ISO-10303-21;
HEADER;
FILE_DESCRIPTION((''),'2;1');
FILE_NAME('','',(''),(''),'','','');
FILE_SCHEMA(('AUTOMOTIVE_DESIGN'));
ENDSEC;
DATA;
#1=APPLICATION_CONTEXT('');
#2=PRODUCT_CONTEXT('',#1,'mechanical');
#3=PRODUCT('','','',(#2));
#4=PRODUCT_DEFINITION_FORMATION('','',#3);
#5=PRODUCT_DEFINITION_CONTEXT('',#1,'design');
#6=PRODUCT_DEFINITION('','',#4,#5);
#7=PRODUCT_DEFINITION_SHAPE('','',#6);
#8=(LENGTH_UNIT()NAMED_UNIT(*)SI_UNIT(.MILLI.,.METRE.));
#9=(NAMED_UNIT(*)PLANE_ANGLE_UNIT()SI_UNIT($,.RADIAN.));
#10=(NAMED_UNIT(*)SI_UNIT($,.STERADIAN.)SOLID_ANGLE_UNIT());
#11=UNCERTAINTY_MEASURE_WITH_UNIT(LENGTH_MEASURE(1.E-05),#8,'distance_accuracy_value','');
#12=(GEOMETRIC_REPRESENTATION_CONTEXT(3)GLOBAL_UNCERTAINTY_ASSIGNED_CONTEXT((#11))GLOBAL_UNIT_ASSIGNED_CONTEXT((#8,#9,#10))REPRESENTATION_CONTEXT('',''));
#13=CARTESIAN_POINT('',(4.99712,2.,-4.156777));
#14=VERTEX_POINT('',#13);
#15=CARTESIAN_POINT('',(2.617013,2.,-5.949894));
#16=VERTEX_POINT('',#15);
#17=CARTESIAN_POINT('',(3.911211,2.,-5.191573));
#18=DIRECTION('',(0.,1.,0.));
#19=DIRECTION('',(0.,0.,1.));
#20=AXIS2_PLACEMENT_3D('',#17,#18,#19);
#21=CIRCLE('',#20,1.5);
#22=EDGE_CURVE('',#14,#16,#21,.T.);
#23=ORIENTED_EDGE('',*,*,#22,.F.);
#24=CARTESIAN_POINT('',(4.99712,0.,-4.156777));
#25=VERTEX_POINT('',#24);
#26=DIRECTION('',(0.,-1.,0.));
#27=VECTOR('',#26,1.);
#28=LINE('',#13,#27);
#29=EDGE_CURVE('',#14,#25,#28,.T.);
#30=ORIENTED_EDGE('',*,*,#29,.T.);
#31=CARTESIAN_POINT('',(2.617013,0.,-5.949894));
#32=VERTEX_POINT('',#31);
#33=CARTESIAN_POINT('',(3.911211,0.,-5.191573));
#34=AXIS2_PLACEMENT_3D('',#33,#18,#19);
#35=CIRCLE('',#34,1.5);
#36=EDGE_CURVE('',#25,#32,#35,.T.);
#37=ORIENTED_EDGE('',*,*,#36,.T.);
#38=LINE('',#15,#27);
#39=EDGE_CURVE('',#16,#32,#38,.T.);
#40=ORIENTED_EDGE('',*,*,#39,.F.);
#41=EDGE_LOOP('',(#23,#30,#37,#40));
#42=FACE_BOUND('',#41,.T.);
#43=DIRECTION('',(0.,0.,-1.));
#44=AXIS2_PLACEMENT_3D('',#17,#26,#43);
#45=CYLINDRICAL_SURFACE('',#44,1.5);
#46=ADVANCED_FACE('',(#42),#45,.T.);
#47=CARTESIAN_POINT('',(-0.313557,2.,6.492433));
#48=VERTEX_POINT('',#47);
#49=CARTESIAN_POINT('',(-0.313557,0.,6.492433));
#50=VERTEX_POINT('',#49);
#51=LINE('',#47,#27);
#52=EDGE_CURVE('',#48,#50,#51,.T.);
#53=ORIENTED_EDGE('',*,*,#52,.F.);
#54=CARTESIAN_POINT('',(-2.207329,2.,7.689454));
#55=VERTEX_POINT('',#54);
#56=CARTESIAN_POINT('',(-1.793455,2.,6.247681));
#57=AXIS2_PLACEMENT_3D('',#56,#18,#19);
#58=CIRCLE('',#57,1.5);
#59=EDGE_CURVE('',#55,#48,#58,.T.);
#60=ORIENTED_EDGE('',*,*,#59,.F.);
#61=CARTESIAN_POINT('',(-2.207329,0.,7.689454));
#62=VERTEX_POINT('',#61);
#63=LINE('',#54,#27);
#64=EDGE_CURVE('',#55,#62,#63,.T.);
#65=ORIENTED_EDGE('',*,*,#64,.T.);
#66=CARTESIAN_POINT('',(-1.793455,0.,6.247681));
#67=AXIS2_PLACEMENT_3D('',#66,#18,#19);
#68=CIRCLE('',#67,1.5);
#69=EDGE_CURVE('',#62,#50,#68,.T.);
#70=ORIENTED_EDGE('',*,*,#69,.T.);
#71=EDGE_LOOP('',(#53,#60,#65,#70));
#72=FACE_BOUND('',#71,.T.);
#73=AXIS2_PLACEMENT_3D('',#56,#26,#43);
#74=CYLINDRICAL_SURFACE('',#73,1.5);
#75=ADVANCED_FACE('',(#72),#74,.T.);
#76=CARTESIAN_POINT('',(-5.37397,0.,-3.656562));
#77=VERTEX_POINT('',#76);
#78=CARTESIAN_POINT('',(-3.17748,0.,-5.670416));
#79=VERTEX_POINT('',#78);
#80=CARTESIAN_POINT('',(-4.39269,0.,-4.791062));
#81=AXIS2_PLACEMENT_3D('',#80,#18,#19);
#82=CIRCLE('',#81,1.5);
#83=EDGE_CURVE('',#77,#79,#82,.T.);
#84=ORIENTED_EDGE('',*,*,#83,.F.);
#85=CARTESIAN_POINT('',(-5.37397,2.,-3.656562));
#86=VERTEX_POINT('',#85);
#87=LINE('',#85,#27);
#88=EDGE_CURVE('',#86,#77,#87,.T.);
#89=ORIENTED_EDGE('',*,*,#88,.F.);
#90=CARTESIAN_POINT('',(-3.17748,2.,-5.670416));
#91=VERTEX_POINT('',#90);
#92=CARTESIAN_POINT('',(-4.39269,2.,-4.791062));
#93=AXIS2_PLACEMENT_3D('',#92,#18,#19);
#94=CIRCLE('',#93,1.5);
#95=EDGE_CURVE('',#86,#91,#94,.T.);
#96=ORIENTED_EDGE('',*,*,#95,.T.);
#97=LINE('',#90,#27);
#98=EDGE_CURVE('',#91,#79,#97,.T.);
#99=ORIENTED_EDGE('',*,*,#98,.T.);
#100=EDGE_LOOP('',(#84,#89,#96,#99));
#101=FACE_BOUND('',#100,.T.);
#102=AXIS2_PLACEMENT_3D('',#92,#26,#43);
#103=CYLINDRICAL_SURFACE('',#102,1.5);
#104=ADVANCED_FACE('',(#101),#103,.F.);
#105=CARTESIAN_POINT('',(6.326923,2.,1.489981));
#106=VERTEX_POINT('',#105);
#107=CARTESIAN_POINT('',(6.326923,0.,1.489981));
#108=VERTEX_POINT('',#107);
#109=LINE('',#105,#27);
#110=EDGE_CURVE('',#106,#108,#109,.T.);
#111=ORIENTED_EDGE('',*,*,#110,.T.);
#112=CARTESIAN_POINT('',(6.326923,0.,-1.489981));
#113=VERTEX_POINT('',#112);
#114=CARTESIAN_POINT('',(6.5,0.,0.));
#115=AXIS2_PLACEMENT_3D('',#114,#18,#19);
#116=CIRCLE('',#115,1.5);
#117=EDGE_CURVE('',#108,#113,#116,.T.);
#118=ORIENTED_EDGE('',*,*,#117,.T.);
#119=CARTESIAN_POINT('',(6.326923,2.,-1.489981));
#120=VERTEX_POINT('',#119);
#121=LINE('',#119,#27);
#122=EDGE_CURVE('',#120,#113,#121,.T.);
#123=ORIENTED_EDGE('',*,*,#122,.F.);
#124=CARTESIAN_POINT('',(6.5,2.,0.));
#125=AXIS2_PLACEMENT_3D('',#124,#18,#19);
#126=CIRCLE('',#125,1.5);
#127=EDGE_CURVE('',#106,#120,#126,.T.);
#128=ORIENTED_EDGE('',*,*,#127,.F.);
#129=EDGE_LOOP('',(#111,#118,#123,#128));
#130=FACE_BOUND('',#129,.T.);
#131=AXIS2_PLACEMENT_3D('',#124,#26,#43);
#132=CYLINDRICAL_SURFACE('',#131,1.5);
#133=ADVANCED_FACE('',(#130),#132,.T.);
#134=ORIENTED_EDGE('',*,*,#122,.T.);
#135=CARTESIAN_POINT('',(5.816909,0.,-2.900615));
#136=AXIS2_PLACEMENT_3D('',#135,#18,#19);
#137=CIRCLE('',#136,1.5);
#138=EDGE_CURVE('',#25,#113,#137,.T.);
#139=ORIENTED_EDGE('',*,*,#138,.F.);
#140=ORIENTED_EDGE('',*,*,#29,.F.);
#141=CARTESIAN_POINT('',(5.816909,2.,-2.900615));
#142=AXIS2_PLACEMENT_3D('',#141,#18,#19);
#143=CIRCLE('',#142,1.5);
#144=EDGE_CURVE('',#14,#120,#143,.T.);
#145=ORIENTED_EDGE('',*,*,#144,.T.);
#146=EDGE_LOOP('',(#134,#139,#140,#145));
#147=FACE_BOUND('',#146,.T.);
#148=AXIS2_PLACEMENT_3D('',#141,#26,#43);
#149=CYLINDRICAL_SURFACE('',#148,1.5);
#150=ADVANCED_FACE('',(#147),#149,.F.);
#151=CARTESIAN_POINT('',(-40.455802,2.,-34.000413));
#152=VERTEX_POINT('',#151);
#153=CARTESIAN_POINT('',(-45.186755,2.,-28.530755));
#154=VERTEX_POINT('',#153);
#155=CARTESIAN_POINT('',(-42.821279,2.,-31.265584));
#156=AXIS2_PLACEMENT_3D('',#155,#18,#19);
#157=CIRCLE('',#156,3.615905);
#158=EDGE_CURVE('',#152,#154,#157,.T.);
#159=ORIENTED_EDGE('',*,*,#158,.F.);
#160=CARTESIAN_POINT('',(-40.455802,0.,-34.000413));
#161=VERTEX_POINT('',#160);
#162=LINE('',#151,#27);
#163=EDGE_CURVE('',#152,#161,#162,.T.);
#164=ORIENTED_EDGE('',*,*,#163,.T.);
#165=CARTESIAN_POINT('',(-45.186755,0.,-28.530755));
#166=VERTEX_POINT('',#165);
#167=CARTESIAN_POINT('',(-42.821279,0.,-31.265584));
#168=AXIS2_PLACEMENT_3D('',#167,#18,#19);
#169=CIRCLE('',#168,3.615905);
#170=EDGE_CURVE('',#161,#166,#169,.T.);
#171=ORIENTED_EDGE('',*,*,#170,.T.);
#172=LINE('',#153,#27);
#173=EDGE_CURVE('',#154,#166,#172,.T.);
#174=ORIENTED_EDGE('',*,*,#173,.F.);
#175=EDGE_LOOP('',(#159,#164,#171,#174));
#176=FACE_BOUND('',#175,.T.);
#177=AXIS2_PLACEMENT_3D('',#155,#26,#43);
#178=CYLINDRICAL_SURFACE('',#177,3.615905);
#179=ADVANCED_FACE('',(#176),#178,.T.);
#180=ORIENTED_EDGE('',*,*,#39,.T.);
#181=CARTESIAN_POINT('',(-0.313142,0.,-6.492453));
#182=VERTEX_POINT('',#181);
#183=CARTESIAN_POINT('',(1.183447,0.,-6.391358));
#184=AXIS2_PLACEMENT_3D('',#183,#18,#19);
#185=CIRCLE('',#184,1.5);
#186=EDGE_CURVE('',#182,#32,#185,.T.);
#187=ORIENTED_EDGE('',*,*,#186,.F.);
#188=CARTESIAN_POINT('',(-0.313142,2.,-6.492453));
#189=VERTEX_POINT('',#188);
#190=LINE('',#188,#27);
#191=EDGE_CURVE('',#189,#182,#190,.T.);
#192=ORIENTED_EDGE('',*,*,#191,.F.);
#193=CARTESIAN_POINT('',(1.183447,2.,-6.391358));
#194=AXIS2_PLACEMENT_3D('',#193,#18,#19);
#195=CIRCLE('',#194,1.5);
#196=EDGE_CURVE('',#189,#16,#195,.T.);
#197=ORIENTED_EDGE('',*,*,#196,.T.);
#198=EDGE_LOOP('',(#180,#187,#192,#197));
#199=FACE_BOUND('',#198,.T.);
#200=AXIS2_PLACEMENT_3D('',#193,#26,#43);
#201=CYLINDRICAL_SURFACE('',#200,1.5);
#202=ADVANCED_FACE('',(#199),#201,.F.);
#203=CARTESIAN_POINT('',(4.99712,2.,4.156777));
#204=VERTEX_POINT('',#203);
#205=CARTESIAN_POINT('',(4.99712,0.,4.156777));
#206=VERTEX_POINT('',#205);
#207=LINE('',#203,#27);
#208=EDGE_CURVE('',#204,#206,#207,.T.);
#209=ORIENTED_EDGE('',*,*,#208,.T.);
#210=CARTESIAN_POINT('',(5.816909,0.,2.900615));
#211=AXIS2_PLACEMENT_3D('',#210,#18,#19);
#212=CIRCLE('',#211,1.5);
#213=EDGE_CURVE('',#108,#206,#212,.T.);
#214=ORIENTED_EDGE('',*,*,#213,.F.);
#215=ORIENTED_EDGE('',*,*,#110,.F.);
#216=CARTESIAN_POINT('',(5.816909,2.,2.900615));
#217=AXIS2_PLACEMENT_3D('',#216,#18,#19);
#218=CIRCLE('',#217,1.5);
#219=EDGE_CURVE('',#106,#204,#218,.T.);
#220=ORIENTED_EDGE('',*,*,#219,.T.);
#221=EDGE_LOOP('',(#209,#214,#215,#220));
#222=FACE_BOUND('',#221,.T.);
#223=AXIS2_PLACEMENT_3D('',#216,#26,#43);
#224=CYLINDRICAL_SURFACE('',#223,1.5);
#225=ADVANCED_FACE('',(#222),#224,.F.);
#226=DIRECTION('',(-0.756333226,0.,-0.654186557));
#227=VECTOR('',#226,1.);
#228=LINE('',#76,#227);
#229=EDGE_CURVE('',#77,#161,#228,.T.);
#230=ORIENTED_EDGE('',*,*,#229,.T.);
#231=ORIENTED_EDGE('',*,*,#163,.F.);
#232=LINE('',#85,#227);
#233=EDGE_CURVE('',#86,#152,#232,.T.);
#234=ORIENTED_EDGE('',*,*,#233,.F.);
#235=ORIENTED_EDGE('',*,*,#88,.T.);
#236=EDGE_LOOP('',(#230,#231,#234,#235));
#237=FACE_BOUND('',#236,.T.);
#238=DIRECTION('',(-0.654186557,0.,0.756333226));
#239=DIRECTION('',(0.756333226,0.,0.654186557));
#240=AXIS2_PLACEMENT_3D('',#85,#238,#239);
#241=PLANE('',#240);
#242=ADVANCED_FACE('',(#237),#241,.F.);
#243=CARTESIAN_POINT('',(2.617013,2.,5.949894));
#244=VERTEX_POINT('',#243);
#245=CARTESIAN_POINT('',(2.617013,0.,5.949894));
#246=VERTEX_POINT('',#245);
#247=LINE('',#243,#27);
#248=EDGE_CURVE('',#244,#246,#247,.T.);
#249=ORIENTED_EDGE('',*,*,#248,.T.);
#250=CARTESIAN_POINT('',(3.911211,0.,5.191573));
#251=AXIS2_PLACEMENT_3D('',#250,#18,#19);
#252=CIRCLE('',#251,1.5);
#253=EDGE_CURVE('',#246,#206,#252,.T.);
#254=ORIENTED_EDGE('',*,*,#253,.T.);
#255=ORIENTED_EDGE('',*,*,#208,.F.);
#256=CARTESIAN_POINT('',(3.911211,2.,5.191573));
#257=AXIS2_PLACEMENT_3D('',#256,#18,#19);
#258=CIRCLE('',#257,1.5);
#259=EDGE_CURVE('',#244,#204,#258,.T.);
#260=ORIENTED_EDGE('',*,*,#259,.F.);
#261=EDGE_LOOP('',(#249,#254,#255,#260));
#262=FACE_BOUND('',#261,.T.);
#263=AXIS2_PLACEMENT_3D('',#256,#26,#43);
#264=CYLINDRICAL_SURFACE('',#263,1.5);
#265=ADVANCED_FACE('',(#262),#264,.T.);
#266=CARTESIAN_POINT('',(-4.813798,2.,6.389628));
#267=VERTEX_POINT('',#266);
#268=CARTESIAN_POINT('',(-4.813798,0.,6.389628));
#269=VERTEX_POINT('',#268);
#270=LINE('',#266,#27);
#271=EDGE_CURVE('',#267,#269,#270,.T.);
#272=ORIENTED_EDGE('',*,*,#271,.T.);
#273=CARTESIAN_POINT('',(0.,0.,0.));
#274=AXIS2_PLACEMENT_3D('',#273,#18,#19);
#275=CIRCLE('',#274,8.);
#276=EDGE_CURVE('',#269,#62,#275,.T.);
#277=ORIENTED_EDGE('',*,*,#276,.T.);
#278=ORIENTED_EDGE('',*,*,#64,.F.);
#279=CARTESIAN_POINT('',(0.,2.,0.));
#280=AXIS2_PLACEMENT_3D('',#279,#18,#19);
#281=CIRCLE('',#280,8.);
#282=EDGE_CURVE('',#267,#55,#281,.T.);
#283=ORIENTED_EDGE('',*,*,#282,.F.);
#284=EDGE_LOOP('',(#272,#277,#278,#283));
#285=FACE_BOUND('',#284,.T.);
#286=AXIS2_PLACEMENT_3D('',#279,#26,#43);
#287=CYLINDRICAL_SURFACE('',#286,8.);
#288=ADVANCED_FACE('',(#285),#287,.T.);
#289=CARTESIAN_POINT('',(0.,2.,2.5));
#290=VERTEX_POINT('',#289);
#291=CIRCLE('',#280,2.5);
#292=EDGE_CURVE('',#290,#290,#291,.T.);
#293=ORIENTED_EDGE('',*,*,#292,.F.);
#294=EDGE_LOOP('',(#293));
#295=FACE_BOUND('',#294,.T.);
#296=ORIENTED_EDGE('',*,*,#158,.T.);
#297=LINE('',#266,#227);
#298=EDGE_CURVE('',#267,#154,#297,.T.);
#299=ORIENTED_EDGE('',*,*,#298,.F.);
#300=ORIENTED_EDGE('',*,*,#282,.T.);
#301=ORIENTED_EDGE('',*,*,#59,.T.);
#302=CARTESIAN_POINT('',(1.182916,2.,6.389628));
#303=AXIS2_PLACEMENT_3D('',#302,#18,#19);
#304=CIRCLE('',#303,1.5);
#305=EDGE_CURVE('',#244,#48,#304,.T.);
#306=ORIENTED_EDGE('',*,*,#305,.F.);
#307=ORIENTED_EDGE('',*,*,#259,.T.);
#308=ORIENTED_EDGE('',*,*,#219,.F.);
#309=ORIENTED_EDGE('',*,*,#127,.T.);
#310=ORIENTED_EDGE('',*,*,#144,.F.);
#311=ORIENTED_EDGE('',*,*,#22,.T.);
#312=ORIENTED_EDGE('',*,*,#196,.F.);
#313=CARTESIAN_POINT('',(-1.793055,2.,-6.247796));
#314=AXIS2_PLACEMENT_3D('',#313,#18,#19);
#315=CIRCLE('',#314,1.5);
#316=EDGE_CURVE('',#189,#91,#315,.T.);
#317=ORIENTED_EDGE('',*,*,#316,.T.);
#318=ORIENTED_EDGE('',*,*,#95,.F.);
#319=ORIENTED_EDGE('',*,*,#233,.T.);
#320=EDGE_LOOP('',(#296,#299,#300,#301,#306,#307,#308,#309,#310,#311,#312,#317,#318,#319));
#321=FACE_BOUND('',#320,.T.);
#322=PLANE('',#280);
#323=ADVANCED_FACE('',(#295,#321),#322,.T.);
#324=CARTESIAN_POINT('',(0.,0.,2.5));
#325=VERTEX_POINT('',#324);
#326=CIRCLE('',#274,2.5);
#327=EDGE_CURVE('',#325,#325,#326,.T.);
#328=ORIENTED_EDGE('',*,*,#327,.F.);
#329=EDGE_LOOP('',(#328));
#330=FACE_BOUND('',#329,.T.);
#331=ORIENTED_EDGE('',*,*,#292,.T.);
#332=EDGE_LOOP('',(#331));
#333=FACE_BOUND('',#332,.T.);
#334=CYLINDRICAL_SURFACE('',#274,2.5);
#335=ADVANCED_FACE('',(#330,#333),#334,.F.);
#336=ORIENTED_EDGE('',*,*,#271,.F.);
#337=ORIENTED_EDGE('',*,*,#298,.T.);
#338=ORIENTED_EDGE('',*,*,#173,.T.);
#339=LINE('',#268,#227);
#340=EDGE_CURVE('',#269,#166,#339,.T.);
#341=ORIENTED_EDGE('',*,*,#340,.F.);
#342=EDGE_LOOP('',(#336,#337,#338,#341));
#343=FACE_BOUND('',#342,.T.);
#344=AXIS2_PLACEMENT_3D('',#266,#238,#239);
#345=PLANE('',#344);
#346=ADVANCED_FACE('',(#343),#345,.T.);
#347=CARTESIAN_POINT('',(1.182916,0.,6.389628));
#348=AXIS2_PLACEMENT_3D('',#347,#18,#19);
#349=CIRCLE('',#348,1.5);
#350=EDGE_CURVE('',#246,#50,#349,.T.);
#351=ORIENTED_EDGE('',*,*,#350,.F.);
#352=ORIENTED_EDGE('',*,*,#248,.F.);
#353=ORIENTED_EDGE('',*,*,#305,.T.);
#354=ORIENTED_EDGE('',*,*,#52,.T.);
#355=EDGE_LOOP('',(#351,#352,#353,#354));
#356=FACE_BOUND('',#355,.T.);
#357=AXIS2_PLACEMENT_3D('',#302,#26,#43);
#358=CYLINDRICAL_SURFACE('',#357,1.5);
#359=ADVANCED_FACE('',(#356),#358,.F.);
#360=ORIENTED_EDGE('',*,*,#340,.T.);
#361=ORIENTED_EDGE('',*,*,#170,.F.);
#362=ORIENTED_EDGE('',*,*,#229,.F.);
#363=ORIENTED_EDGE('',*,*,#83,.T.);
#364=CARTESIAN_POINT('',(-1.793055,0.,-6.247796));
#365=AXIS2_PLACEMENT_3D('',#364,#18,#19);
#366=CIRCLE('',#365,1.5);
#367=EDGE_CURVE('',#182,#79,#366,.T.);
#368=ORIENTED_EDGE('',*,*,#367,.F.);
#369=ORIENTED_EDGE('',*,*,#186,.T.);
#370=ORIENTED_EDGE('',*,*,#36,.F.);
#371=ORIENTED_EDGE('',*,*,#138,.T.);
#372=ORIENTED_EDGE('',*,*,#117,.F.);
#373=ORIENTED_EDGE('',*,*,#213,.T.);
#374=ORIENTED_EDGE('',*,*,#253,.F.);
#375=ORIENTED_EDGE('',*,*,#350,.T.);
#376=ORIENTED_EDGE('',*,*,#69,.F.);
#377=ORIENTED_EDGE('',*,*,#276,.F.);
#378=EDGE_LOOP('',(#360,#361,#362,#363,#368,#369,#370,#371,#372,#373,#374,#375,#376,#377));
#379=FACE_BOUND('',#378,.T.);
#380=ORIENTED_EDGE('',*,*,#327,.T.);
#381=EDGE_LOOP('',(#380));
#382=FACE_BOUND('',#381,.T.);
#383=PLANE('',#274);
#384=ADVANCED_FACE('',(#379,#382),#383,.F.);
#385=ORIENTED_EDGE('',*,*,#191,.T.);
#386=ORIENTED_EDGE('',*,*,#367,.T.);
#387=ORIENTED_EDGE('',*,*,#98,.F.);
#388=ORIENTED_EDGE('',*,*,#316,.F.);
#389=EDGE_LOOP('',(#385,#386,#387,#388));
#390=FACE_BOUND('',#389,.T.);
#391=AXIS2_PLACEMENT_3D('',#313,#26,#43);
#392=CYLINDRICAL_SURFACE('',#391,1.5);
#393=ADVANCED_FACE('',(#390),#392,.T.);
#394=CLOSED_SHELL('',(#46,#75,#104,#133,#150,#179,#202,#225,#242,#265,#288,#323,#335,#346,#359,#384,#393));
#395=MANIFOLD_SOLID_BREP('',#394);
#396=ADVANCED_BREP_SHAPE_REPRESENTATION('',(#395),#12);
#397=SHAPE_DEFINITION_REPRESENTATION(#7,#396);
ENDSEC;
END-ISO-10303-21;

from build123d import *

# Parameters (mm, degrees)
EXTRUDE_1_DEPTH     = 2
SKETCH_2_R          = 2.5
CUT_EXTRUDE_1_DEPTH = 59.113082246


with BuildPart() as part:
    # Эскиз1 → Бобышка-Вытянуть1 (new body)
    with BuildSketch(Plane(origin=(0, 0, 0), x_dir=(1, 0, 0), z_dir=(0, 1, 0))):
        with BuildLine():
            Line((-5.373970273, 3.656561705), (-40.455802455, 34.00041309))
            ThreePointArc((-40.455802455, 34.00041309), (-45.556108034, 33.631060436), (-45.18675538, 28.530754857))
            Line((-45.18675538, 28.530754857), (-4.813797954, -6.389628256))
            ThreePointArc((-4.813797954, -6.389628256), (-3.570215935, -7.159159041), (-2.207328799, -7.689453789))
            ThreePointArc((-2.207328799, -7.689453789), (-0.992008234, -7.515625856), (-0.313557112, -6.492432667))
            ThreePointArc((-0.313557112, -6.492432667), (0.909859751, -4.914690841), (2.617012816, -5.949894446))
            ThreePointArc((2.617012816, -5.949894446), (4.813797954, -6.389628256), (4.997119526, -4.156777171))
            ThreePointArc((4.997119526, -4.156777171), (4.474545709, -2.231241963), (6.326923077, -1.489981335))
            ThreePointArc((6.326923077, -1.489981335), (8, 0), (6.326923077, 1.489981335))
            ThreePointArc((6.326923077, 1.489981335), (4.474545709, 2.231241963), (4.997119526, 4.156777171))
            ThreePointArc((4.997119526, 4.156777171), (4.813797954, 6.389628256), (2.617012816, 5.949894446))
            ThreePointArc((2.617012816, 5.949894446), (0.910344036, 4.916428962), (-0.31314214, 6.492452695))
            ThreePointArc((-0.31314214, 6.492452695), (-2.206837314, 7.689594857), (-3.177480342, 5.670416094))
            ThreePointArc((-3.177480342, 5.670416094), (-3.378992644, 3.685431957), (-5.373970273, 3.656561705))
        make_face()
    extrude(amount=EXTRUDE_1_DEPTH)

    # Эскиз2 → Вырез-Вытянуть1 (cut, through all)
    with BuildSketch(Plane(origin=(0, 2, 0), x_dir=(1, 0, 0), z_dir=(0, 1, 0))):
        with Locations(Location((0, 0, 0), (0, 0, 270))):
            Circle(SKETCH_2_R)
    extrude(amount=-CUT_EXTRUDE_1_DEPTH, mode=Mode.SUBTRACT)


solid = part.part
